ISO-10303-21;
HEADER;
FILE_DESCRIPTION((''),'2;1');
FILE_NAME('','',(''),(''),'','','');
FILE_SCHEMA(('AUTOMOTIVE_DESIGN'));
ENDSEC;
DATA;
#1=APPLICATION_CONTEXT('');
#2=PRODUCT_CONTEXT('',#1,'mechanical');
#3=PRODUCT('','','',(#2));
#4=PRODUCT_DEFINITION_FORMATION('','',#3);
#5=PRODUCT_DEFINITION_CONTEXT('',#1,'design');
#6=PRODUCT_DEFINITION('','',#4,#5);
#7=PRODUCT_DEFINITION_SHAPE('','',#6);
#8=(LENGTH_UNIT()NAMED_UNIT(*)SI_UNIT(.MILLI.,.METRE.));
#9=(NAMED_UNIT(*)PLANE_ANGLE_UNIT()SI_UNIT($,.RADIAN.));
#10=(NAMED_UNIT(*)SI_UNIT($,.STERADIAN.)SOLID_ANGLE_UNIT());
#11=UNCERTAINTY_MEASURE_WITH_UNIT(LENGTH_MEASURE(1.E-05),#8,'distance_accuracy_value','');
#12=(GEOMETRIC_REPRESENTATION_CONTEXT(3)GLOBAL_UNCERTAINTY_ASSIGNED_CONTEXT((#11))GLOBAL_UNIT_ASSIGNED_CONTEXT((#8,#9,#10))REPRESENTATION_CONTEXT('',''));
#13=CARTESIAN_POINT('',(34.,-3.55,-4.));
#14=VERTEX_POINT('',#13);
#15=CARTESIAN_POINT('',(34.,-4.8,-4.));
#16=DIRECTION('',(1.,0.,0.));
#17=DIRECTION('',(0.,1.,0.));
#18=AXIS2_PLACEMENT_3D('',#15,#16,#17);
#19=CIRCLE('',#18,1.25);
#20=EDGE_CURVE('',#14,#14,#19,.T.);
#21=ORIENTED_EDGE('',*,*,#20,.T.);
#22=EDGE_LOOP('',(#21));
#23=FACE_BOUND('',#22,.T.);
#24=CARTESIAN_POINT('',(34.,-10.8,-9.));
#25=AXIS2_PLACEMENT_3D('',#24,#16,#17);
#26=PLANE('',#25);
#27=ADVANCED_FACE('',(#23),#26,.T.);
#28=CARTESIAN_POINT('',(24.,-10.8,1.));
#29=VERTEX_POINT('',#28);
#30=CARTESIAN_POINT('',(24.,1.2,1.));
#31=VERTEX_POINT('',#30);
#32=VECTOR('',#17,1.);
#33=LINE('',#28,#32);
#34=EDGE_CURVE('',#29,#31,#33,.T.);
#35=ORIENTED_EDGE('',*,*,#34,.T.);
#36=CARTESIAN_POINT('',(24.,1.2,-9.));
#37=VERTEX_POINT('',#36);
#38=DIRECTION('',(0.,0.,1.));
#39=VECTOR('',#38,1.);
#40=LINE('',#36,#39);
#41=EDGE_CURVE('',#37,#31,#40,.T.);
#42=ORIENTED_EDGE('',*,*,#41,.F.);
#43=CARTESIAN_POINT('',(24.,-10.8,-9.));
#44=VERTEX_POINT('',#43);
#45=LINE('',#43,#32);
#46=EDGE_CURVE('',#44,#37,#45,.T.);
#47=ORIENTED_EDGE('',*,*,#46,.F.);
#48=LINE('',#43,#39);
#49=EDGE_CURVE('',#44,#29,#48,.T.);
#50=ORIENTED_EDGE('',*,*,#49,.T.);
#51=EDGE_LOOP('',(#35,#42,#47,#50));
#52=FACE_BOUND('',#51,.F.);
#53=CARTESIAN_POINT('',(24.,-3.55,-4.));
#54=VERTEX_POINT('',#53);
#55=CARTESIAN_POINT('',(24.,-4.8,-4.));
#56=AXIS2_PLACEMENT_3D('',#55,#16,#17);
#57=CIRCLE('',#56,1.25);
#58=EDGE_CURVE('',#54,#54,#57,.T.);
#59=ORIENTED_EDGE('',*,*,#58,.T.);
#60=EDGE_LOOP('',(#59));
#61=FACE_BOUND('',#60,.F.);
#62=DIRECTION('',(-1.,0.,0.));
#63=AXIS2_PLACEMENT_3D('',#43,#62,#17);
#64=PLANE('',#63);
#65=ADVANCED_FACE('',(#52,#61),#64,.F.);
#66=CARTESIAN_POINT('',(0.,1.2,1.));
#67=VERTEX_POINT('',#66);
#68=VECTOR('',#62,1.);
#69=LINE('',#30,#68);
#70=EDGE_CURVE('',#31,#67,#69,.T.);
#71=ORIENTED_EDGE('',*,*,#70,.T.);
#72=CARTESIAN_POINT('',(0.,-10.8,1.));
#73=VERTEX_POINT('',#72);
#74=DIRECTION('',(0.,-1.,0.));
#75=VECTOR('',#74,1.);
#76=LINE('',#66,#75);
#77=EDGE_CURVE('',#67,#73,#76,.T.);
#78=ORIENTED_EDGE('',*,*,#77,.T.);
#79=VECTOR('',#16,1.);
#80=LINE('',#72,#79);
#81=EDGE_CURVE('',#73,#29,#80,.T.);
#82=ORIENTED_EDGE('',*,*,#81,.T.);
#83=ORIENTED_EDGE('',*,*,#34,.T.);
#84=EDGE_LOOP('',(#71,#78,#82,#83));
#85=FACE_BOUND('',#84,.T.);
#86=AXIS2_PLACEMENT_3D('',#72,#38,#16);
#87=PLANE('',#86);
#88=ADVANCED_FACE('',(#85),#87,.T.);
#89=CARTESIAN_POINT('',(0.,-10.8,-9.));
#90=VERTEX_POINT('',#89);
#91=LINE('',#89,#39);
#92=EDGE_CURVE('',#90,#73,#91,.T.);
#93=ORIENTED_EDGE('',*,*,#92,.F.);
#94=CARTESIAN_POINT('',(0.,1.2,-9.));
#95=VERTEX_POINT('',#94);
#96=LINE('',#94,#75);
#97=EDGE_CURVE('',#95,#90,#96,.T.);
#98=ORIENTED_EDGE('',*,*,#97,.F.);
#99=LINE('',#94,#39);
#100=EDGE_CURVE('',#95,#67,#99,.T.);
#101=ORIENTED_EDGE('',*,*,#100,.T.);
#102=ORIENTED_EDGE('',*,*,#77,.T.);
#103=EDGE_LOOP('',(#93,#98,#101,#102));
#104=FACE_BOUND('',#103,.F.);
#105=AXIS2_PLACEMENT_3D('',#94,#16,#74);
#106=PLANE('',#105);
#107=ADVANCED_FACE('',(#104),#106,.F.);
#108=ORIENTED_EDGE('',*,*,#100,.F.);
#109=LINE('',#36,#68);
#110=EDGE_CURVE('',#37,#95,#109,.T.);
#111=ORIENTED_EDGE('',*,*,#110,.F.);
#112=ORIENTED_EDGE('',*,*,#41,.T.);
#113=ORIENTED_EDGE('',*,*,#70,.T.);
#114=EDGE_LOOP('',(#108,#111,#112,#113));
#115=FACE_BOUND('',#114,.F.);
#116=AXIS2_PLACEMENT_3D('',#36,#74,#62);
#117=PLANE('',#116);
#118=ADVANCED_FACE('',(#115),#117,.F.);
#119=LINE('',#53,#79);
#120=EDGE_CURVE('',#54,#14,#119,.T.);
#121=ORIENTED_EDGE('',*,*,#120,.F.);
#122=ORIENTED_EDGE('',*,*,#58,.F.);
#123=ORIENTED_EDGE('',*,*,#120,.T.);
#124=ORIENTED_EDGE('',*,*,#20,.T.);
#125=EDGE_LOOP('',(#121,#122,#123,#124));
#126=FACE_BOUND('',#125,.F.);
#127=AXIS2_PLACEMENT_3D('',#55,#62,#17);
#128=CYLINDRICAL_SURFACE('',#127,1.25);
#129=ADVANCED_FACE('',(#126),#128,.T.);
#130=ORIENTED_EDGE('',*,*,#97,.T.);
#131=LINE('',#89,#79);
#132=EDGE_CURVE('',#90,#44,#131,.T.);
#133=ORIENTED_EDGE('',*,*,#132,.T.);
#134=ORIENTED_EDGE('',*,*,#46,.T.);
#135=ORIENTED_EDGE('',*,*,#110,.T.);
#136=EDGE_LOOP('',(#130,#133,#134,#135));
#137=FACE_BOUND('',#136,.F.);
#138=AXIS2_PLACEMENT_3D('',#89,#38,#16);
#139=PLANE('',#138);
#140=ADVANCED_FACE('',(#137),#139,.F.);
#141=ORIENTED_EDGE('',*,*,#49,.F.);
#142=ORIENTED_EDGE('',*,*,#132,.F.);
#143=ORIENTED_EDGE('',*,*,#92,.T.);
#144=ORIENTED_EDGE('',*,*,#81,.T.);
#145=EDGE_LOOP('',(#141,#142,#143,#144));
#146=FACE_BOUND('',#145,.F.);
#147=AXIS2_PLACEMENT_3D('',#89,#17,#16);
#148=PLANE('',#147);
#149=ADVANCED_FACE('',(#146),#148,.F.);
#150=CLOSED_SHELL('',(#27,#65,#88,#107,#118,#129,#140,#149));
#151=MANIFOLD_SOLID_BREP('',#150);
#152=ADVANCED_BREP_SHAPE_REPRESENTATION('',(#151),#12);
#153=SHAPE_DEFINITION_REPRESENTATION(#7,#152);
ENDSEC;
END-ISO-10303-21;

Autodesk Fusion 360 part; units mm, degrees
sketch "Esquisse1" plane through (0, 0, 0) normal (0, 0, 1) x (1, 0, 0)
  line L0 (0, 0) -> (2.4, 0)
  line L1 (2.4, 0) -> (2.4, 1.2)
  line L2 (2.4, 1.2) -> (0, 1.2)
  line L3 (0, 1.2) -> (0, 0)
  dimension "d1" = 2.4
  dimension "d2" = 1.2
extrude "Extrusion1" add sketch "Esquisse1" along normal blind 1
sketch "Esquisse2" plane through (2.4, 0, 0) normal (1, 0, 0) x (0, 1, 0)
  line L0 (0, 0) -> (1.2, 0)
  line L1 (1.2, 0) -> (1.2, 1)
  line L2 (1.2, 1) -> (0, 1)
  line L3 (0, 1) -> (0, 0)
  circle A0 centre (0.6, 0.5) radius 0.125
  dimension "d5" = 0.25
extrude "Extrusion2" add sketch "Esquisse2" along normal blind 1 contours A0
scale "Echelle1" factor 10 about (0, 1.2, 1) bodies 1
